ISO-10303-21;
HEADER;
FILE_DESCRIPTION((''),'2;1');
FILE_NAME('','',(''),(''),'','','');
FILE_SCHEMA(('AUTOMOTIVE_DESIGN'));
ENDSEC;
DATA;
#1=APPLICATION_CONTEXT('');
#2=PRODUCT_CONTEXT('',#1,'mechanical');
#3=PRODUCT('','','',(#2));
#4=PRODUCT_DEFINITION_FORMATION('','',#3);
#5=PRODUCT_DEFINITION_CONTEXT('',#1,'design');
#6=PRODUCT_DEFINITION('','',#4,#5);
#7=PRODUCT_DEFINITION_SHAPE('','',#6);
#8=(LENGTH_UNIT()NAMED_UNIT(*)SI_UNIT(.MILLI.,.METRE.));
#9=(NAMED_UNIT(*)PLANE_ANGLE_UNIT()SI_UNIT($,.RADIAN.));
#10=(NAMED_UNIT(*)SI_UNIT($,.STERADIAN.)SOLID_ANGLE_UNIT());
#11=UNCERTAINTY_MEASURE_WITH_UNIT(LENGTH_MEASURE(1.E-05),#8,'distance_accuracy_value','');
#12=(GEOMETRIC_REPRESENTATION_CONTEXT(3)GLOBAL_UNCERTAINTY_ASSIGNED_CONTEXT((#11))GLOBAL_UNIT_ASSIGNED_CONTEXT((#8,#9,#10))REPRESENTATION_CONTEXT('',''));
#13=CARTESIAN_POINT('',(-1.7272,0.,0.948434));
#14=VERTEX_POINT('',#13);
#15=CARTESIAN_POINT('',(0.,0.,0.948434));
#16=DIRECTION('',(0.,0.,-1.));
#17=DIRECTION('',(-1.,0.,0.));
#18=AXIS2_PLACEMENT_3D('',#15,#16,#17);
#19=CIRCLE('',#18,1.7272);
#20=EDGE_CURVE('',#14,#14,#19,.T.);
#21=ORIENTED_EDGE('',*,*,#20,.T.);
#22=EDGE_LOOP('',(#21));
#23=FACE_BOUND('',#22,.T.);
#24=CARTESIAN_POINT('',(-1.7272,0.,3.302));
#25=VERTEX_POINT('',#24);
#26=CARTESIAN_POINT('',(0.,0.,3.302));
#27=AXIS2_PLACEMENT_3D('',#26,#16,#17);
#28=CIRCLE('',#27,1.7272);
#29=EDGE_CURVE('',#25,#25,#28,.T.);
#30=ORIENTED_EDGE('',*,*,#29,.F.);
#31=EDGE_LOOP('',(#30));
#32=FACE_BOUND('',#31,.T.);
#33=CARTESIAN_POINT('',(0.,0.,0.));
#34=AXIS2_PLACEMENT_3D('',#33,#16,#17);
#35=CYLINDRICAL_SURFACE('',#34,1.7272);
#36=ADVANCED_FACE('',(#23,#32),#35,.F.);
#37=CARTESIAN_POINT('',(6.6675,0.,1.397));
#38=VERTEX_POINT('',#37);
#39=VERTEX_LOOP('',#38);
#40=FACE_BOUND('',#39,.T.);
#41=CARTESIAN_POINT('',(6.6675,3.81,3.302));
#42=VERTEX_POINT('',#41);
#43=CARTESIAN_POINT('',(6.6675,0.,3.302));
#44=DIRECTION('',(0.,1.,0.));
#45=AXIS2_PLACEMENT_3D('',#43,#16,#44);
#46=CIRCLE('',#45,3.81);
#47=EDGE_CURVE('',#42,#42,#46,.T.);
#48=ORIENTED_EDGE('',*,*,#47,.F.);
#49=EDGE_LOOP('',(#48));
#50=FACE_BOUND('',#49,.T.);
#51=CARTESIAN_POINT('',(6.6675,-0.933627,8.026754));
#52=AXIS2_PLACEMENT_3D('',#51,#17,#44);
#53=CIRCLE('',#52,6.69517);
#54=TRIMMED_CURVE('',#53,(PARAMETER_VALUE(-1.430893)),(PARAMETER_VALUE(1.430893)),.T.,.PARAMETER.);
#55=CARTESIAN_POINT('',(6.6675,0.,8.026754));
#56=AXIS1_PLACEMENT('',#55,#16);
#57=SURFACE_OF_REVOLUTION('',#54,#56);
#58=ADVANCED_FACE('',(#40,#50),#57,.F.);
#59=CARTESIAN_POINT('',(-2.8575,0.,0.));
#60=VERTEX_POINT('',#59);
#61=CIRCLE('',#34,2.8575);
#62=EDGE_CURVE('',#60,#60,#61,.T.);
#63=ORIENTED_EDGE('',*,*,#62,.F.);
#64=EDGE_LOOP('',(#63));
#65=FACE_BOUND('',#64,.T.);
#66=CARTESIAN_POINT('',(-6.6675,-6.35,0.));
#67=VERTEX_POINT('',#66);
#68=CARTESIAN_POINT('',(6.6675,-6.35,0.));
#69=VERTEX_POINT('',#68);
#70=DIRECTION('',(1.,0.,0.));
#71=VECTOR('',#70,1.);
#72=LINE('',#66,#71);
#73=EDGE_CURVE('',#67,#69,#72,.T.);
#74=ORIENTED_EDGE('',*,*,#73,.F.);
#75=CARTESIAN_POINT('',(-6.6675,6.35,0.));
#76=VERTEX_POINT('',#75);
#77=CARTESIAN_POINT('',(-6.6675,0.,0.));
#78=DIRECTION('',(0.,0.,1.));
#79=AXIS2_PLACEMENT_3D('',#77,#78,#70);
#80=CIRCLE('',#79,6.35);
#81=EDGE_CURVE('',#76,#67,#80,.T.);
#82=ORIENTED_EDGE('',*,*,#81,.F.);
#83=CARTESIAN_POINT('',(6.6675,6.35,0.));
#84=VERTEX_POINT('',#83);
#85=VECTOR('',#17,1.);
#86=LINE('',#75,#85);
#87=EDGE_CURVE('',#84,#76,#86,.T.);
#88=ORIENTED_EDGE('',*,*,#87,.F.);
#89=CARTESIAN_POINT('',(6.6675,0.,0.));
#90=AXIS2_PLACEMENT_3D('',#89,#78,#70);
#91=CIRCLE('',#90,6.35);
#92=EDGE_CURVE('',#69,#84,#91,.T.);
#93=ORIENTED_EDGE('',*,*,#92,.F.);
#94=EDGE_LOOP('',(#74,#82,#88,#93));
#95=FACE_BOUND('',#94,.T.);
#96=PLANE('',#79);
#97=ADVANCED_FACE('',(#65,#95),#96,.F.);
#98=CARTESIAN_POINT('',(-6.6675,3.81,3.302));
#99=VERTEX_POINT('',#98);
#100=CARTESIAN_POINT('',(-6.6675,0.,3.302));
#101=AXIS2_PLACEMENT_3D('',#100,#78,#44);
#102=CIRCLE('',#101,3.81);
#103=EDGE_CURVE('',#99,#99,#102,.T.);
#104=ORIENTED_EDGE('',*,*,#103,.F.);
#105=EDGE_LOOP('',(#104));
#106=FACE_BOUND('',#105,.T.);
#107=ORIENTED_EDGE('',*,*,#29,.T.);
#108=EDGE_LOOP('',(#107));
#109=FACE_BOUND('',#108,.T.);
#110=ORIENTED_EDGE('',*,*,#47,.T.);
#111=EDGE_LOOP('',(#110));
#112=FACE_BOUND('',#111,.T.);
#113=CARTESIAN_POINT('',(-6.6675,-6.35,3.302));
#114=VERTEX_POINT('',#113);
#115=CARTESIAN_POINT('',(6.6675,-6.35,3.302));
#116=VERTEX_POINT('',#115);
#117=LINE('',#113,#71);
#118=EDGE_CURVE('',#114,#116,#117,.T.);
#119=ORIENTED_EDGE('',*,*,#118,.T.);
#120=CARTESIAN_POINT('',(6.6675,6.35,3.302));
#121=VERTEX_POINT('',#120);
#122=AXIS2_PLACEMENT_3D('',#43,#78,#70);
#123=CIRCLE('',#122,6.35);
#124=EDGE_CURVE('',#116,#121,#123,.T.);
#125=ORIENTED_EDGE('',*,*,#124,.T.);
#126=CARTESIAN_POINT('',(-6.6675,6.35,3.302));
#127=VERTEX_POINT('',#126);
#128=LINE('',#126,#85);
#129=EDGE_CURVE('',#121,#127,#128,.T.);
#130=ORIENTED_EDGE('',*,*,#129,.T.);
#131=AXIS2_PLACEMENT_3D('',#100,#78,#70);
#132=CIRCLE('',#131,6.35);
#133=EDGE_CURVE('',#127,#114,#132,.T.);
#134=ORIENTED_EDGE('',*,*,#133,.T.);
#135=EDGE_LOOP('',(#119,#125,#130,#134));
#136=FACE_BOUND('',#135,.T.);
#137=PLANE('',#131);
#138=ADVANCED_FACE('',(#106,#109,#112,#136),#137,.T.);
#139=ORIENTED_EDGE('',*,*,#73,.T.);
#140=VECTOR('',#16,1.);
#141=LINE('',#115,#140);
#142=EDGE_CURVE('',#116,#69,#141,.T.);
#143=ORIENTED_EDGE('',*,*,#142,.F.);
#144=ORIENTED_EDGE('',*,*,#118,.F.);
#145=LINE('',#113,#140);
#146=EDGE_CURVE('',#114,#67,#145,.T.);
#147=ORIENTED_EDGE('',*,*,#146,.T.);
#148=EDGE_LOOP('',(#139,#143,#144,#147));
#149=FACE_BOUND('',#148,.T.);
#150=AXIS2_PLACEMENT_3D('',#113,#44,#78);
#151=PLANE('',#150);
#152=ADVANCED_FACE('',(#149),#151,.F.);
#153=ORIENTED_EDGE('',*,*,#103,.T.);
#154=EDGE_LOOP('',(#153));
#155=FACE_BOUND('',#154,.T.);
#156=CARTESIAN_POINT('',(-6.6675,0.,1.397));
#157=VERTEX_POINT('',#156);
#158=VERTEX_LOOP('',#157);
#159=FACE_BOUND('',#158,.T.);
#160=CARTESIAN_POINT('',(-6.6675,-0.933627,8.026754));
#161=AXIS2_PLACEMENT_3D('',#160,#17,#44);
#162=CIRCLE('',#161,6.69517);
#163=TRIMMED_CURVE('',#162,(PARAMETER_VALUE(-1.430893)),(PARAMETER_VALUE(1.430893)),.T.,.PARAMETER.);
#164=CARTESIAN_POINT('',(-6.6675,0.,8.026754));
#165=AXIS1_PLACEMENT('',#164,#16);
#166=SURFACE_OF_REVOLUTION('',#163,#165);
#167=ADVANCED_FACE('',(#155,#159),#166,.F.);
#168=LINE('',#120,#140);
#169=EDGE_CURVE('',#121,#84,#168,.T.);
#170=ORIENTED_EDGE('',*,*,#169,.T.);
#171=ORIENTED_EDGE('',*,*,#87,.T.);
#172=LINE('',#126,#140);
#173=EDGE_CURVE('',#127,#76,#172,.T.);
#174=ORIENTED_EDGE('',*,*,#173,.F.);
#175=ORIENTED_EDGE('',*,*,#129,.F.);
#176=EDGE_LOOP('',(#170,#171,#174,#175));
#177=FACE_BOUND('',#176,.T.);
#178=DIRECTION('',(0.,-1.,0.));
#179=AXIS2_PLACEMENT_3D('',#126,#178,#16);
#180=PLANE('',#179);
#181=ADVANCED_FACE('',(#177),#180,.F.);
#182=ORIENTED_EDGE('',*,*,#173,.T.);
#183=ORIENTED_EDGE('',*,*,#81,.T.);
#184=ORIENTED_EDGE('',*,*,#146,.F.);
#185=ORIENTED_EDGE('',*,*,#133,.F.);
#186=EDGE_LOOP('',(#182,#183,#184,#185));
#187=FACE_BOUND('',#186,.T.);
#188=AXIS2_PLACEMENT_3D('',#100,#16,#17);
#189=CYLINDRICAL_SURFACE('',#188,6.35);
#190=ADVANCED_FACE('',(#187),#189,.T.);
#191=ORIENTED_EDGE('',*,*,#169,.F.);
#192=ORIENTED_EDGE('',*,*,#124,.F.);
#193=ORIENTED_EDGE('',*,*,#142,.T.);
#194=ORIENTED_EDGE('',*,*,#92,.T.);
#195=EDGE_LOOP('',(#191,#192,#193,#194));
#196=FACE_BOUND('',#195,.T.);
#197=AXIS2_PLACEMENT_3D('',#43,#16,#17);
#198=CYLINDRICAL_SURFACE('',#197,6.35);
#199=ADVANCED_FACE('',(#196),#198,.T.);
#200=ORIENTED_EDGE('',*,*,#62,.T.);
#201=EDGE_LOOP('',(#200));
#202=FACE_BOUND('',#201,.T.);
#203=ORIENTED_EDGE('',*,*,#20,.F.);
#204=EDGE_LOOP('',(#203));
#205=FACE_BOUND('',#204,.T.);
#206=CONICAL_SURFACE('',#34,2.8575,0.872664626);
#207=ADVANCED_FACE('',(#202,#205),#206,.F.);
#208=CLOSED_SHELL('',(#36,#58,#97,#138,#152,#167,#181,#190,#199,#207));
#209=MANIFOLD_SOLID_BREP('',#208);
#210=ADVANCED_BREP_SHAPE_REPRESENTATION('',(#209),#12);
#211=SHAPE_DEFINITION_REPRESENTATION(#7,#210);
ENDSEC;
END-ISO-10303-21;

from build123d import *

# Parameters (mm, degrees)
BOSS_EXTRUDE1_DEPTH                               = 3.302
CSK_FOR_4_FLAT_HEAD_MACHINE_SCREW_100_D           = 3.4544
CSK_FOR_4_FLAT_HEAD_MACHINE_SCREW_100_CSINK_D     = 5.715
CSK_FOR_4_FLAT_HEAD_MACHINE_SCREW_100_CSINK_ANGLE = 100


with BuildPart() as part:
    # Sketch1 → Boss-Extrude1 (new body)
    with BuildSketch(Plane.XY):
        with BuildLine():
            Line((-6.6675, 6.35), (6.6675, 6.35))
            ThreePointArc((6.6675, 6.35), (13.0175, 0), (6.6675, -6.35))
            Line((6.6675, -6.35), (-6.6675, -6.35))
            ThreePointArc((-6.6675, -6.35), (-13.0175, 0), (-6.6675, 6.35))
        make_face()
    extrude(amount=BOSS_EXTRUDE1_DEPTH)

    # Sketch4 → Cut-Revolve3 (revolve, cut)
    with BuildSketch(Plane(origin=(6.6675, 0, 0), x_dir=(0, 0, -1), z_dir=(1, 0, 0))):
        with BuildLine():
            Line((-3.302, 3.81), (-3.302, 0))
            Line((-3.302, 0), (-1.397, 0))
            ThreePointArc((-1.397, 0), (-2.038412152, 2.060543924), (-3.302, 3.81))
        make_face()
    cut_revolve3 = revolve(axis=Axis((6.6675, 0, 1.397), (0, 0, 1)), mode=Mode.SUBTRACT)

    # Mirror1: Cut-Revolve3 across plane
    add(cut_revolve3.mirror(Plane(origin=(0, 0, 0), x_dir=(0, 0, 1), z_dir=(1, 0, 0))), mode=Mode.SUBTRACT)

    # CSK for #4 Flat Head Machine Screw (100)1 (through all)
    with Locations(Plane(origin=(0, 0, 0), x_dir=(-1, 0, 0), z_dir=(0, 0, -1))):
        with Locations((0, 0)):
            CounterSinkHole(CSK_FOR_4_FLAT_HEAD_MACHINE_SCREW_100_D / 2, CSK_FOR_4_FLAT_HEAD_MACHINE_SCREW_100_CSINK_D / 2, counter_sink_angle=CSK_FOR_4_FLAT_HEAD_MACHINE_SCREW_100_CSINK_ANGLE)


solid = part.part
